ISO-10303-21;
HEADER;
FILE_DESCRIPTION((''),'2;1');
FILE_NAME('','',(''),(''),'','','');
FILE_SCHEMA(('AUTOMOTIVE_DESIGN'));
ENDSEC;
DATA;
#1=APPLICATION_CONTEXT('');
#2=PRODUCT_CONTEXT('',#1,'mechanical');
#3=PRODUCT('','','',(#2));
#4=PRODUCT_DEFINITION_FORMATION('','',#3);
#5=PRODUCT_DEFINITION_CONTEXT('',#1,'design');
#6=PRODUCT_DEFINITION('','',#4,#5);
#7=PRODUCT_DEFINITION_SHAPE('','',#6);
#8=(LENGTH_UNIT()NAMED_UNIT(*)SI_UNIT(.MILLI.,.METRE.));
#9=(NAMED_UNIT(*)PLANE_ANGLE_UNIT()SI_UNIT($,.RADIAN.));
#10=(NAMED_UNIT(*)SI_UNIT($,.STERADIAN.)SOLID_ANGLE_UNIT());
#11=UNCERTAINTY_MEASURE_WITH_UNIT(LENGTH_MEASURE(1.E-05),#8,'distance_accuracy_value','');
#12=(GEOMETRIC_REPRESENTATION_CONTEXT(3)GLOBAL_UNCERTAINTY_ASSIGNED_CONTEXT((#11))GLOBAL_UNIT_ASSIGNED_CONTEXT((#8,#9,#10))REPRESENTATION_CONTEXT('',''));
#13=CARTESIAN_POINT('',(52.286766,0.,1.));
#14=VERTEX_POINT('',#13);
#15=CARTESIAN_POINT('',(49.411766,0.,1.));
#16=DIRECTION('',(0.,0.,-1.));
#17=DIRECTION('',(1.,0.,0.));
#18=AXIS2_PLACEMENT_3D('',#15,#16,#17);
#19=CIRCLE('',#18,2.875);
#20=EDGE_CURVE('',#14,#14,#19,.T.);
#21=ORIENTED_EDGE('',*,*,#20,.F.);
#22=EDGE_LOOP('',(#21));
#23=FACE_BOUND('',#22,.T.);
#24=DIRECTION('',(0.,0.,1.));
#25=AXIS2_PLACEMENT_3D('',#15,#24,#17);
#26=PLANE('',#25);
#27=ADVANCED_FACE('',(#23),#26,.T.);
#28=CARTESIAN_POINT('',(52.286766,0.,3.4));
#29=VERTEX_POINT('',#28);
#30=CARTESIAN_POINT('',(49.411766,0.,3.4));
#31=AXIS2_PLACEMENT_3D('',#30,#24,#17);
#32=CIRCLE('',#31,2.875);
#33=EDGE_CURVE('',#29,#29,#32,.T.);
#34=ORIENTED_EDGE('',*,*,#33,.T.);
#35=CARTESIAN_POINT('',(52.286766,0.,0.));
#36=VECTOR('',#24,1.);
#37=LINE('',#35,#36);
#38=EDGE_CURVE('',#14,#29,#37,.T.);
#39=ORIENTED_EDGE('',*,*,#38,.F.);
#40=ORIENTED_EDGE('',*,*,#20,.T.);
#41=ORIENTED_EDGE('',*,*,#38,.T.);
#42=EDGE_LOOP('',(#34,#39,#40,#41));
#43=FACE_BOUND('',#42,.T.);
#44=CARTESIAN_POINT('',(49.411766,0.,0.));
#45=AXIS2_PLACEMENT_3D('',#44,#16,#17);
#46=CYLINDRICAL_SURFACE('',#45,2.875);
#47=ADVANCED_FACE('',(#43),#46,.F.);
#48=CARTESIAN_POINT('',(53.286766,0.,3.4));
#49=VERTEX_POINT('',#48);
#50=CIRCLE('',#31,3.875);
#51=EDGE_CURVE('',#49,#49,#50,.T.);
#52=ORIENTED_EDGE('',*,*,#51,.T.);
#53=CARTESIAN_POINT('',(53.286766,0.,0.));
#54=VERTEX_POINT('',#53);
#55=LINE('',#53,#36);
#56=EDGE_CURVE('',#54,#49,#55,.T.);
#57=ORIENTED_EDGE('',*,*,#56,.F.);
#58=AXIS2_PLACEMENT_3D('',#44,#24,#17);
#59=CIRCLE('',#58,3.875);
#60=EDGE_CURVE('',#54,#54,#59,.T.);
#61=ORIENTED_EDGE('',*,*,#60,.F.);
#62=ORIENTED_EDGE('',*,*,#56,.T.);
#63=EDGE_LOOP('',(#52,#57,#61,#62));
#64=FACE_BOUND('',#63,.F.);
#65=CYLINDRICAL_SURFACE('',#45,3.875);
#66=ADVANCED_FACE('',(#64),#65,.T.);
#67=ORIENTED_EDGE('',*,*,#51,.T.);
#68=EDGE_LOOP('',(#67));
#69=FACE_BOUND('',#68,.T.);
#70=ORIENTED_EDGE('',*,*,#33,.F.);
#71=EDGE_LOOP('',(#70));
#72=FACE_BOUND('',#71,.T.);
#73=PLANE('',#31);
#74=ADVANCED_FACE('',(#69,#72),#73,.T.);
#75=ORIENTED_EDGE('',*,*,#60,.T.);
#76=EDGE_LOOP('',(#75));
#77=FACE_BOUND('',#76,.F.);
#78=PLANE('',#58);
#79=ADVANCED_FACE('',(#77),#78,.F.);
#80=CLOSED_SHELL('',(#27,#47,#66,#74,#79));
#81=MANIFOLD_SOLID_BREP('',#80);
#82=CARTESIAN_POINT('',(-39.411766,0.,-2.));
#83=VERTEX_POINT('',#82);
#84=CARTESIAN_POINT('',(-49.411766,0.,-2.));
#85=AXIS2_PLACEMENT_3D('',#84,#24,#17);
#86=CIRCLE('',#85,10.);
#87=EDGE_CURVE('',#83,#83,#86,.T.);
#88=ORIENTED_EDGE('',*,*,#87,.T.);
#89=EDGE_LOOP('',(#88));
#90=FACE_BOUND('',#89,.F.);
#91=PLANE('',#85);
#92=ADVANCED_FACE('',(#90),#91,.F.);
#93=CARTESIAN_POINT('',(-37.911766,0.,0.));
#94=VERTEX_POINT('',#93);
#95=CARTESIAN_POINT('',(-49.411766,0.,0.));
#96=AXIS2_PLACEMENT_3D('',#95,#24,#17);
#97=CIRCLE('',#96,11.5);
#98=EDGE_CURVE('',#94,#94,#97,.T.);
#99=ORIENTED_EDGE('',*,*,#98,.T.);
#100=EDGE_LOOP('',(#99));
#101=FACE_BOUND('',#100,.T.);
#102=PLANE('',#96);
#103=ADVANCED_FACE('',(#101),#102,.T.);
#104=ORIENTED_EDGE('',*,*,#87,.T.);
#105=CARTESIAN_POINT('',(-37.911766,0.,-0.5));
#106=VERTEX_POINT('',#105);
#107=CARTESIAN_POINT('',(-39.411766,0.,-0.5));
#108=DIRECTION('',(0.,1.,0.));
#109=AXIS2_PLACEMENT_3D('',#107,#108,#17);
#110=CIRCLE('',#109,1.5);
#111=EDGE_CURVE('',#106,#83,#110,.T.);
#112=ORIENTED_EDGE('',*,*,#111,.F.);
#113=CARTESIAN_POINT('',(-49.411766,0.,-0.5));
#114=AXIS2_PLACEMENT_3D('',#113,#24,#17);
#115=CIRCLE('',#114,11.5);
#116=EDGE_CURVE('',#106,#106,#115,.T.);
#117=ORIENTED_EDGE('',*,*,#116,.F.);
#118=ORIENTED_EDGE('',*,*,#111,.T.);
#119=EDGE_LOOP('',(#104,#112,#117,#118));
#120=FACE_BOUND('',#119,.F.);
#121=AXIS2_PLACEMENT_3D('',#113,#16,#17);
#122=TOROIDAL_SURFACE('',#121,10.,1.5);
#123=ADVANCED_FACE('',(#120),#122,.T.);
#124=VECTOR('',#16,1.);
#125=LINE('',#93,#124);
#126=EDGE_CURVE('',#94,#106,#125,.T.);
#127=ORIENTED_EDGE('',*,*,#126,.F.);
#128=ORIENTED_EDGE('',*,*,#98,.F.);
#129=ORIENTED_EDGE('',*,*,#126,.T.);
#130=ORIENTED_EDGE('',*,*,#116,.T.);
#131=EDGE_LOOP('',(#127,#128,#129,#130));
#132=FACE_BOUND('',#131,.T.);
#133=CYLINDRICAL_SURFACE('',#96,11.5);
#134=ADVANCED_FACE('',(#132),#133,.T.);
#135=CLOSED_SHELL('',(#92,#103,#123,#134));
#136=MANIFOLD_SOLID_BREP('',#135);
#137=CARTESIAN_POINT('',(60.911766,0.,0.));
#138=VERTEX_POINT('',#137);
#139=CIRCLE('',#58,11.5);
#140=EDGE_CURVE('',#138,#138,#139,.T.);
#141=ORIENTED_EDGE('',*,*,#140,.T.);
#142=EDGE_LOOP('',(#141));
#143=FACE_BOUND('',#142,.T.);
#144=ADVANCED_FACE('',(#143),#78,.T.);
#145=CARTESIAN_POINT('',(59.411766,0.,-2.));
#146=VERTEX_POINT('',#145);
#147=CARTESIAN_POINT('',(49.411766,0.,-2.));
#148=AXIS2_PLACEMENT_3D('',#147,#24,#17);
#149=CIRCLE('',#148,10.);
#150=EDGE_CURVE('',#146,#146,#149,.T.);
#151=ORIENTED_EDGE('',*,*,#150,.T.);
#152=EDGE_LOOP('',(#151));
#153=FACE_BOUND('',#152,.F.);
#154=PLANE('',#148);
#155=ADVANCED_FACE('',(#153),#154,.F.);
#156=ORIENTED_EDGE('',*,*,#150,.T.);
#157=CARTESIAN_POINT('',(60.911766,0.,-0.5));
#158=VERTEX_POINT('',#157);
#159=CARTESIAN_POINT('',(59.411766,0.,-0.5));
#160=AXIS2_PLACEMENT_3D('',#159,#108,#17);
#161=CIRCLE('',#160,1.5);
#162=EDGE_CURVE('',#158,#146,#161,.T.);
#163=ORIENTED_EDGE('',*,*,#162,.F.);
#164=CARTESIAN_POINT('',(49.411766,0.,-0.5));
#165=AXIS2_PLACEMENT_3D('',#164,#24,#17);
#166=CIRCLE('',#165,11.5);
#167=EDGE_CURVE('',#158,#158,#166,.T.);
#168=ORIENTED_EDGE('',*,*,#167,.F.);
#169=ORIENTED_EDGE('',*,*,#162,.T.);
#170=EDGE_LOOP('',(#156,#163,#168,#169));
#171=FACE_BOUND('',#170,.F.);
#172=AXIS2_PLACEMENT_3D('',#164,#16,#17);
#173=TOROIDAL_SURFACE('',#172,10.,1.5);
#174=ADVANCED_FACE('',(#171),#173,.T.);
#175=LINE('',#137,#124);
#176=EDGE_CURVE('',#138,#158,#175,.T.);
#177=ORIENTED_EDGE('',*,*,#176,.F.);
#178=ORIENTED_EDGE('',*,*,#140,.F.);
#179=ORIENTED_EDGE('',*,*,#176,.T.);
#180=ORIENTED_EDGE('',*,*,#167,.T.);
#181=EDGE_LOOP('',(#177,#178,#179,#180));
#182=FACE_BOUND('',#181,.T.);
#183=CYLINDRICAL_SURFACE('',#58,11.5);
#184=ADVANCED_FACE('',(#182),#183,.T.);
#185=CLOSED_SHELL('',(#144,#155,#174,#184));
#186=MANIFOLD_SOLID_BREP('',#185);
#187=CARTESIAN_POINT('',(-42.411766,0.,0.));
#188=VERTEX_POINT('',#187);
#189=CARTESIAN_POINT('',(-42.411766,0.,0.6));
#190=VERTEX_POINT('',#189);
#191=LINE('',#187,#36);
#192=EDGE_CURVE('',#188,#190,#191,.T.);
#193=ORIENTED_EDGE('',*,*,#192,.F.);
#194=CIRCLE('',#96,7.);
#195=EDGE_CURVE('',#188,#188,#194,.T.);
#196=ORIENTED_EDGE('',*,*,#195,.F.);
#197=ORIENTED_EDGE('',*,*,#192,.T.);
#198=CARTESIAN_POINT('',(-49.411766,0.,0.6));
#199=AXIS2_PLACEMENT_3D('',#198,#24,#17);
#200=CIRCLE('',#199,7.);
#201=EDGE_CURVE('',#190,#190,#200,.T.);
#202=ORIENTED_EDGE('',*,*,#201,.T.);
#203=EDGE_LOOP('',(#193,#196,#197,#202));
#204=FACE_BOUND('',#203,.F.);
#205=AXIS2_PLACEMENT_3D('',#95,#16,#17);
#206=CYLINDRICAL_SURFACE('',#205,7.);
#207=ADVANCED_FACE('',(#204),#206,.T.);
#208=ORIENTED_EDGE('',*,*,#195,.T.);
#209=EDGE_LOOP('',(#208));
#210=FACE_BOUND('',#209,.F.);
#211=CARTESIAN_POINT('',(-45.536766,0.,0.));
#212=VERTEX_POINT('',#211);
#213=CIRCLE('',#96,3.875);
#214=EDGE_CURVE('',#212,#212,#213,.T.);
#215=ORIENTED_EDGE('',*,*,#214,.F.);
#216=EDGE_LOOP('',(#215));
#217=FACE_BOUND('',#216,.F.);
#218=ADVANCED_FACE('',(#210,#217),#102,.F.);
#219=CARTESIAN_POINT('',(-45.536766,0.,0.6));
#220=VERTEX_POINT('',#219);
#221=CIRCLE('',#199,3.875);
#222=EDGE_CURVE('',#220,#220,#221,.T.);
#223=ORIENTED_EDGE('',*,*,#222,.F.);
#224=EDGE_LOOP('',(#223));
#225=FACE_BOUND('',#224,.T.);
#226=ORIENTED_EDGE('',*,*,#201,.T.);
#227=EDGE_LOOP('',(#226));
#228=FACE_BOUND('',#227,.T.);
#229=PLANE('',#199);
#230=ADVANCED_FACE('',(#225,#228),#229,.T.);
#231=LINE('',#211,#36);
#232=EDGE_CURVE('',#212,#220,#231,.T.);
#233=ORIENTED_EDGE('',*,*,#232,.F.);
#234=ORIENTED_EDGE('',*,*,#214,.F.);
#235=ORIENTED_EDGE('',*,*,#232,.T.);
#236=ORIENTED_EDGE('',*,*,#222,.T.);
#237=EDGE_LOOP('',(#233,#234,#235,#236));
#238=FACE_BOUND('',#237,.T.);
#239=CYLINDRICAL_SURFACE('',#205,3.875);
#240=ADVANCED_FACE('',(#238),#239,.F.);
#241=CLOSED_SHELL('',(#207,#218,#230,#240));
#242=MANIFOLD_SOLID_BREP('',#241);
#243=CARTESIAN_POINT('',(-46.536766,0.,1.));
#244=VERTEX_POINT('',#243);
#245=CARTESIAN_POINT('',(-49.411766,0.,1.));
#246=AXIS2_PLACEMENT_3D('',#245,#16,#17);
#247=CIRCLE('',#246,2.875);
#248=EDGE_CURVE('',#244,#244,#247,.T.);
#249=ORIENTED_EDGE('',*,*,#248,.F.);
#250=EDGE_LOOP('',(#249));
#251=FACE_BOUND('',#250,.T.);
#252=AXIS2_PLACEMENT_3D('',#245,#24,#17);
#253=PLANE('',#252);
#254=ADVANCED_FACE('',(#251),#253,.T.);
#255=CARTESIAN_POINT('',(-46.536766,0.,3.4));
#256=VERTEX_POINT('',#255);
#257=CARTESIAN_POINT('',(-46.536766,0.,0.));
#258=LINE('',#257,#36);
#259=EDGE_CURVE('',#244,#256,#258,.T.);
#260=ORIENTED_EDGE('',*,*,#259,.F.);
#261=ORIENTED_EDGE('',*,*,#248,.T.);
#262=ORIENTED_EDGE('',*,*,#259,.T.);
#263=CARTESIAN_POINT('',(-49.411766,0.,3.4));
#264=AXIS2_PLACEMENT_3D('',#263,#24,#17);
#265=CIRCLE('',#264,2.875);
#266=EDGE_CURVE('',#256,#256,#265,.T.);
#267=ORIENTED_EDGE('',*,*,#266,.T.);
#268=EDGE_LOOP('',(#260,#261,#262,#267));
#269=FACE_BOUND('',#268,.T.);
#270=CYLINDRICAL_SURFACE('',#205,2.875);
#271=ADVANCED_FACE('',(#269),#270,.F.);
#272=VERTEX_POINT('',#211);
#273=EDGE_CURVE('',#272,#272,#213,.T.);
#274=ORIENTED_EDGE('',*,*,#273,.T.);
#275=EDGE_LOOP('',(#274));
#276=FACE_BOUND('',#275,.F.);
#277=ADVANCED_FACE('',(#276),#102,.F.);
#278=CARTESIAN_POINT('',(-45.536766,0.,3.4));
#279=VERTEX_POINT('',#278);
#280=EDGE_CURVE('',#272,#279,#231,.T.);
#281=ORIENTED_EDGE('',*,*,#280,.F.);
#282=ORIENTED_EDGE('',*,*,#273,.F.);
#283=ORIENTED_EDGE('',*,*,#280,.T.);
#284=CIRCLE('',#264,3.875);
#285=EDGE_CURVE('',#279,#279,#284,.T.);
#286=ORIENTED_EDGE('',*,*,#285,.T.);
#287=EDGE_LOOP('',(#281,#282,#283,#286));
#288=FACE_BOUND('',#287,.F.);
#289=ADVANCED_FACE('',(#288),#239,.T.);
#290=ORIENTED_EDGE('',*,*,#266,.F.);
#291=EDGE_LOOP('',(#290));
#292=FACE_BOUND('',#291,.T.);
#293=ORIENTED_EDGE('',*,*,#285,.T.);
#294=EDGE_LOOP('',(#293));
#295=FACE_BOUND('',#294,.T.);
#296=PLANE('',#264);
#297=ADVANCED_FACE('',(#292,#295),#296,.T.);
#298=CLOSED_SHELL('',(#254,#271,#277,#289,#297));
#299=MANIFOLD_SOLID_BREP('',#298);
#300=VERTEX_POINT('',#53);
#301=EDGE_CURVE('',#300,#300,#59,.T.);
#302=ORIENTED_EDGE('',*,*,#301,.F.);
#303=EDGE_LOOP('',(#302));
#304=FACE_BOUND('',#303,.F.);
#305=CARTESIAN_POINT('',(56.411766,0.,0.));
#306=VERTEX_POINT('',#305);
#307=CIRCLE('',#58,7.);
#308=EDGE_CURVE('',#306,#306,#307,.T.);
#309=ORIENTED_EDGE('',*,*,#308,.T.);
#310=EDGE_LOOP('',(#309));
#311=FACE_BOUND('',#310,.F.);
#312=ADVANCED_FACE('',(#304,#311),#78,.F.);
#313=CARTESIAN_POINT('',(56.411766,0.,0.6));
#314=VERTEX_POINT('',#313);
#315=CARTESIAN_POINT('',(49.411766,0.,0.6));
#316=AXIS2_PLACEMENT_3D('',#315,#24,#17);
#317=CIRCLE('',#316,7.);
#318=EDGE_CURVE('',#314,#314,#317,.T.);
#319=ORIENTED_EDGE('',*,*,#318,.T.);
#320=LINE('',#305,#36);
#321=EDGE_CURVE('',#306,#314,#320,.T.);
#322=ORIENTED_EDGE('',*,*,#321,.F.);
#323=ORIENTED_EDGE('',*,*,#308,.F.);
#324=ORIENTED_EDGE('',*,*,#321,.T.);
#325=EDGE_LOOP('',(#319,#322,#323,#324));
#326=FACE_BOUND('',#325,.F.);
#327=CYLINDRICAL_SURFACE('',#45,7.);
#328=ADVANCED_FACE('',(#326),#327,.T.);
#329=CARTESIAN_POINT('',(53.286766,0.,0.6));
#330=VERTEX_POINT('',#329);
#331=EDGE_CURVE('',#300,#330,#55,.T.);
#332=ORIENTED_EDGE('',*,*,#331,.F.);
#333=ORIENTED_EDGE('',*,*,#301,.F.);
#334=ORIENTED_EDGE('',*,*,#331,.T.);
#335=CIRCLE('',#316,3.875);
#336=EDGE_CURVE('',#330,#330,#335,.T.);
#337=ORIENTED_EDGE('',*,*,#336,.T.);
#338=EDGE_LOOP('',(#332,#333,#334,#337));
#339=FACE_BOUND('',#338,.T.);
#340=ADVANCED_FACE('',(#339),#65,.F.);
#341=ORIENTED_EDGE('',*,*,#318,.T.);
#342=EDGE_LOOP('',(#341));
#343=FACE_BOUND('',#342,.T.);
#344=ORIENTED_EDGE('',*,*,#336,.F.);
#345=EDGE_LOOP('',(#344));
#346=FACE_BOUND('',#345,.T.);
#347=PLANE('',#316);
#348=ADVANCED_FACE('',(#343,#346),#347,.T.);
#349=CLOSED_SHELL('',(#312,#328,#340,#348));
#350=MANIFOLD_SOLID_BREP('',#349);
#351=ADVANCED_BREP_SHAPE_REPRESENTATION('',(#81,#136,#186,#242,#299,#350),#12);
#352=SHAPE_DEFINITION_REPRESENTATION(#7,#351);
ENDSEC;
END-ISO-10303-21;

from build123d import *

# Parameters (mm, degrees)
F0_R     = 3.875
F1_DEPTH = 3.4
F0_R_2   = 7
F2_DEPTH = 0.6
F0_R_3   = 11.5
F3_DEPTH = 2
F4_T     = -1
F4_2_T   = -1
F5_R     = 1.5
F5_2_R   = 1.5


with BuildPart() as f1:
    # F0 (on Top) → F1 (new body)
    with BuildSketch(Plane.XY):
        with Locations((-49.4117662311, 0)):
            Circle(F0_R)
    extrude(amount=F1_DEPTH)

    # F4
    f4_openings = [f1.faces().sort_by_distance(p)[0] for p in [
        (-49.411766, 0, 3.4),
    ]]
    offset(amount=F4_T, openings=f4_openings)


with BuildPart() as f1b:
    # F0 (on Top) → F1, piece 2 (new body)
    with BuildSketch(Plane.XY):
        with Locations((49.4117662311, 0)):
            Circle(F0_R)
    extrude(amount=F1_DEPTH)

    # F4#2
    f4_2_openings = [f1b.faces().sort_by_distance(p)[0] for p in [
        (49.411766, 0, 3.4),
    ]]
    offset(amount=F4_2_T, openings=f4_2_openings)


with BuildPart() as f2:
    # F0 (on Top) → F2 (new body)
    with BuildSketch(Plane.XY):
        with Locations((-49.4117662311, 0)):
            Circle(F0_R_2)
        with Locations((-49.4117662311, 0)):
            Circle(F0_R, mode=Mode.SUBTRACT)
    extrude(amount=F2_DEPTH)


with BuildPart() as f2b:
    # F0 (on Top) → F2, piece 2 (new body)
    with BuildSketch(Plane.XY):
        with Locations((49.4117662311, 0)):
            Circle(F0_R_2)
        with Locations((49.4117662311, 0)):
            Circle(F0_R, mode=Mode.SUBTRACT)
    extrude(amount=F2_DEPTH)


with BuildPart() as f3:
    # F0 (on Top) → F3 (new body)
    with BuildSketch(Plane.XY):
        with Locations((-49.4117662311, 0)):
            Circle(F0_R_3)
        with Locations((-49.4117662311, 0)):
            Circle(F0_R_2, mode=Mode.SUBTRACT)
        with Locations((-49.4117662311, 0)):
            Circle(F0_R_2)
        with Locations((-49.4117662311, 0)):
            Circle(F0_R, mode=Mode.SUBTRACT)
        with Locations((-49.4117662311, 0)):
            Circle(F0_R)
    extrude(amount=-F3_DEPTH)

    # F5#2
    f5_2_edges = [f3.edges().sort_by_distance(p)[0] for p in [
        (-60.911766, 0, -2),
    ]]
    fillet(f5_2_edges, radius=F5_2_R)


with BuildPart() as f3b:
    # F0 (on Top) → F3, piece 2 (new body)
    with BuildSketch(Plane.XY):
        with Locations((49.4117662311, 0)):
            Circle(F0_R_3)
        with Locations((49.4117662311, 0)):
            Circle(F0_R_2, mode=Mode.SUBTRACT)
        with Locations((49.4117662311, 0)):
            Circle(F0_R_2)
        with Locations((49.4117662311, 0)):
            Circle(F0_R, mode=Mode.SUBTRACT)
        with Locations((49.4117662311, 0)):
            Circle(F0_R)
    extrude(amount=-F3_DEPTH)

    # F5
    f5_edges = [f3b.edges().sort_by_distance(p)[0] for p in [
        (37.911766, 0, -2),
    ]]
    fillet(f5_edges, radius=F5_R)


solid = Compound([f1.part, f1b.part, f2.part, f2b.part, f3.part, f3b.part])
